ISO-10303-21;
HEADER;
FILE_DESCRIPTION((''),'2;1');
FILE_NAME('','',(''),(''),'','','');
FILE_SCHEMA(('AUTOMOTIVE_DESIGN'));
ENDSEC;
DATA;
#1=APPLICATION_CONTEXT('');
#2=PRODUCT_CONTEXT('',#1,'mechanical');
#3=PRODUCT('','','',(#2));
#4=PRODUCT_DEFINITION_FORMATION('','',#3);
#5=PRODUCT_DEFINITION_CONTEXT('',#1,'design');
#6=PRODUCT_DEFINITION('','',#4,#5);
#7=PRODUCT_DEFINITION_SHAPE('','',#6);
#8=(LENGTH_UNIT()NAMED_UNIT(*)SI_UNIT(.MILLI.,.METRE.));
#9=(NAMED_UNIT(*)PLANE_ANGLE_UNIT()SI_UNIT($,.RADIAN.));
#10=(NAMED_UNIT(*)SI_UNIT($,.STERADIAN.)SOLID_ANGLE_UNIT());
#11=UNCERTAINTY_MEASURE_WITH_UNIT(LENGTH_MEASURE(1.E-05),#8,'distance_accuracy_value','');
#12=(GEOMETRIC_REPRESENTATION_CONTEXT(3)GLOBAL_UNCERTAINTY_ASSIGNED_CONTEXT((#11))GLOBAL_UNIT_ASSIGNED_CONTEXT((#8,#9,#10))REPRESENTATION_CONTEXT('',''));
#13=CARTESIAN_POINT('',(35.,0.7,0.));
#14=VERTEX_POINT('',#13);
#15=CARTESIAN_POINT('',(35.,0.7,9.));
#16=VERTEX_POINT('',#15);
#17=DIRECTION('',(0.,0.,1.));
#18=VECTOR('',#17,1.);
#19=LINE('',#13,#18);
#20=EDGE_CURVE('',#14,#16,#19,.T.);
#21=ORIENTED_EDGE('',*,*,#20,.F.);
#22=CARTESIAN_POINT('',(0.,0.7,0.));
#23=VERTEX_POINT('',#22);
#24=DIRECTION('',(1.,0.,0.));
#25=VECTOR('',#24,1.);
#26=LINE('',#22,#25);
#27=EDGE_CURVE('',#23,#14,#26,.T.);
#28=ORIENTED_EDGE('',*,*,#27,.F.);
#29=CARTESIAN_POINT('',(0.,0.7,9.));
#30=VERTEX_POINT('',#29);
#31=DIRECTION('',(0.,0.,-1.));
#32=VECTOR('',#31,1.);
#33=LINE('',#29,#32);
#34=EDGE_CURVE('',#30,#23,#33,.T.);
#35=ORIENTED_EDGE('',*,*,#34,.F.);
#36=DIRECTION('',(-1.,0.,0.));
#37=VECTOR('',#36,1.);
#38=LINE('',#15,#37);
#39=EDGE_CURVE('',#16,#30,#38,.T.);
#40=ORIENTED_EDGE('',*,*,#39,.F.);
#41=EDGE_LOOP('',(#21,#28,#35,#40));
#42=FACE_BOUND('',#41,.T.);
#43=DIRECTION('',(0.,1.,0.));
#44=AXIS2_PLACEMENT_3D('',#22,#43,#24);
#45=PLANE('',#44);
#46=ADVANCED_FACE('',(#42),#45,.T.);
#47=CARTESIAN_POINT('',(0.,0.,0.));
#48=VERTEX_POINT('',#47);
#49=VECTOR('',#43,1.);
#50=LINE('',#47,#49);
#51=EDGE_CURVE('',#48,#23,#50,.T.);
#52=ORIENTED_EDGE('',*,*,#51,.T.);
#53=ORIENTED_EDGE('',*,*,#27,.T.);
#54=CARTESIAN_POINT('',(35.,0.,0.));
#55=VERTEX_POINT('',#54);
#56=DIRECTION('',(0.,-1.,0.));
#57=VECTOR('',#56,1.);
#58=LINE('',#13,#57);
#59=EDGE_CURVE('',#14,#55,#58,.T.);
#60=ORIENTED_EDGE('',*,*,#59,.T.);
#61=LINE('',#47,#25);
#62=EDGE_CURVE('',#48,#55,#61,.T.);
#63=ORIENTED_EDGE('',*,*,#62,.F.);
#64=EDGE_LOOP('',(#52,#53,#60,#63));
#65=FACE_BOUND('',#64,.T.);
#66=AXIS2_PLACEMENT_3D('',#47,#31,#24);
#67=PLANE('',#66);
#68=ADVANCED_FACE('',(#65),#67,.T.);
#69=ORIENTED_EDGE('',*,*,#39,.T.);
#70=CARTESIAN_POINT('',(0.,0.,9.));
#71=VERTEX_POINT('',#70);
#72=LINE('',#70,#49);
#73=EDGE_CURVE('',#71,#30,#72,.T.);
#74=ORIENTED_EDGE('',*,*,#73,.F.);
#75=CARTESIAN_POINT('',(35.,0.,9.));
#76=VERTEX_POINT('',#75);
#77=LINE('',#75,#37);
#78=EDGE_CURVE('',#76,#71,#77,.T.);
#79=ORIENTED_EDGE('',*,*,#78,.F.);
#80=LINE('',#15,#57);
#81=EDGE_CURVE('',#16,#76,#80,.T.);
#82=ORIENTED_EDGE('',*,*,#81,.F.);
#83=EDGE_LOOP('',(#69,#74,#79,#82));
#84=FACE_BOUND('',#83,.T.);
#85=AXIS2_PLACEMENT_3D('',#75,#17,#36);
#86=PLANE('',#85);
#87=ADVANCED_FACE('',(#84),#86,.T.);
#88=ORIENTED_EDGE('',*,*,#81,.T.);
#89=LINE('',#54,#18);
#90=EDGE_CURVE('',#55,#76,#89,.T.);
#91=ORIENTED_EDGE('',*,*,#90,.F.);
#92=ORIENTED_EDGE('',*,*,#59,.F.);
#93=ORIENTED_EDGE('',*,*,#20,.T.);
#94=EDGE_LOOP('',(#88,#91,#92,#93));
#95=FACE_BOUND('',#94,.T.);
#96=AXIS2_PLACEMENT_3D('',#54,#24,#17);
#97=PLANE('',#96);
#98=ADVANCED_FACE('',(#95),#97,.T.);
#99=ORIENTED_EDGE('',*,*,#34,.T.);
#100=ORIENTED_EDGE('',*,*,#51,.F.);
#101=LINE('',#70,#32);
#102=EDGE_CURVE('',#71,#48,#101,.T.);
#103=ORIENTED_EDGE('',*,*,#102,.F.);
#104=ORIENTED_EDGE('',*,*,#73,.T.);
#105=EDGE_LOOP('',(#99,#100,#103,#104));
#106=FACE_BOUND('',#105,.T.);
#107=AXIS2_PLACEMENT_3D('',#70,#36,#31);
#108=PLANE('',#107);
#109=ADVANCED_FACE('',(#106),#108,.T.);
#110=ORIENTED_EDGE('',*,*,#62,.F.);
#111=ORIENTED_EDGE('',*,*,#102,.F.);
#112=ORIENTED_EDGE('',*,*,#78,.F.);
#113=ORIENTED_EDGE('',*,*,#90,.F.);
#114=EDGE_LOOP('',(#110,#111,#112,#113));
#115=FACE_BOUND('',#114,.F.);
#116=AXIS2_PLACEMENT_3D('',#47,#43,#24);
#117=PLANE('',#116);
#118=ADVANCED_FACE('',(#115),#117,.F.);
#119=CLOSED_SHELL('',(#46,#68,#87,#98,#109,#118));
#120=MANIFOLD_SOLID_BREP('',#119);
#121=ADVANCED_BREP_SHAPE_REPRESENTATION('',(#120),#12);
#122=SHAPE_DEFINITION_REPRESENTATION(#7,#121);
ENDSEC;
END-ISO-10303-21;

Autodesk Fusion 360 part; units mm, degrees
sketch "Sketch1" plane through (0, 0, 0) normal (0, 1, 0) x (1, 0, 0)
  line L0 (0, 0) -> (35, 0)
  line L1 (35, 0) -> (35, -9)
  line L2 (35, -9) -> (0, -9)
  line L3 (0, -9) -> (0, 0)
  dimension "d1" = 35
  dimension "d2" = 9
extrude "Extrude1" add sketch "Sketch1" along normal blind 0.5
extrude "Extrude2" add 1 faces at (11.6667, 0.5, 3) along direction (0, 1, 0) blind 0.2
